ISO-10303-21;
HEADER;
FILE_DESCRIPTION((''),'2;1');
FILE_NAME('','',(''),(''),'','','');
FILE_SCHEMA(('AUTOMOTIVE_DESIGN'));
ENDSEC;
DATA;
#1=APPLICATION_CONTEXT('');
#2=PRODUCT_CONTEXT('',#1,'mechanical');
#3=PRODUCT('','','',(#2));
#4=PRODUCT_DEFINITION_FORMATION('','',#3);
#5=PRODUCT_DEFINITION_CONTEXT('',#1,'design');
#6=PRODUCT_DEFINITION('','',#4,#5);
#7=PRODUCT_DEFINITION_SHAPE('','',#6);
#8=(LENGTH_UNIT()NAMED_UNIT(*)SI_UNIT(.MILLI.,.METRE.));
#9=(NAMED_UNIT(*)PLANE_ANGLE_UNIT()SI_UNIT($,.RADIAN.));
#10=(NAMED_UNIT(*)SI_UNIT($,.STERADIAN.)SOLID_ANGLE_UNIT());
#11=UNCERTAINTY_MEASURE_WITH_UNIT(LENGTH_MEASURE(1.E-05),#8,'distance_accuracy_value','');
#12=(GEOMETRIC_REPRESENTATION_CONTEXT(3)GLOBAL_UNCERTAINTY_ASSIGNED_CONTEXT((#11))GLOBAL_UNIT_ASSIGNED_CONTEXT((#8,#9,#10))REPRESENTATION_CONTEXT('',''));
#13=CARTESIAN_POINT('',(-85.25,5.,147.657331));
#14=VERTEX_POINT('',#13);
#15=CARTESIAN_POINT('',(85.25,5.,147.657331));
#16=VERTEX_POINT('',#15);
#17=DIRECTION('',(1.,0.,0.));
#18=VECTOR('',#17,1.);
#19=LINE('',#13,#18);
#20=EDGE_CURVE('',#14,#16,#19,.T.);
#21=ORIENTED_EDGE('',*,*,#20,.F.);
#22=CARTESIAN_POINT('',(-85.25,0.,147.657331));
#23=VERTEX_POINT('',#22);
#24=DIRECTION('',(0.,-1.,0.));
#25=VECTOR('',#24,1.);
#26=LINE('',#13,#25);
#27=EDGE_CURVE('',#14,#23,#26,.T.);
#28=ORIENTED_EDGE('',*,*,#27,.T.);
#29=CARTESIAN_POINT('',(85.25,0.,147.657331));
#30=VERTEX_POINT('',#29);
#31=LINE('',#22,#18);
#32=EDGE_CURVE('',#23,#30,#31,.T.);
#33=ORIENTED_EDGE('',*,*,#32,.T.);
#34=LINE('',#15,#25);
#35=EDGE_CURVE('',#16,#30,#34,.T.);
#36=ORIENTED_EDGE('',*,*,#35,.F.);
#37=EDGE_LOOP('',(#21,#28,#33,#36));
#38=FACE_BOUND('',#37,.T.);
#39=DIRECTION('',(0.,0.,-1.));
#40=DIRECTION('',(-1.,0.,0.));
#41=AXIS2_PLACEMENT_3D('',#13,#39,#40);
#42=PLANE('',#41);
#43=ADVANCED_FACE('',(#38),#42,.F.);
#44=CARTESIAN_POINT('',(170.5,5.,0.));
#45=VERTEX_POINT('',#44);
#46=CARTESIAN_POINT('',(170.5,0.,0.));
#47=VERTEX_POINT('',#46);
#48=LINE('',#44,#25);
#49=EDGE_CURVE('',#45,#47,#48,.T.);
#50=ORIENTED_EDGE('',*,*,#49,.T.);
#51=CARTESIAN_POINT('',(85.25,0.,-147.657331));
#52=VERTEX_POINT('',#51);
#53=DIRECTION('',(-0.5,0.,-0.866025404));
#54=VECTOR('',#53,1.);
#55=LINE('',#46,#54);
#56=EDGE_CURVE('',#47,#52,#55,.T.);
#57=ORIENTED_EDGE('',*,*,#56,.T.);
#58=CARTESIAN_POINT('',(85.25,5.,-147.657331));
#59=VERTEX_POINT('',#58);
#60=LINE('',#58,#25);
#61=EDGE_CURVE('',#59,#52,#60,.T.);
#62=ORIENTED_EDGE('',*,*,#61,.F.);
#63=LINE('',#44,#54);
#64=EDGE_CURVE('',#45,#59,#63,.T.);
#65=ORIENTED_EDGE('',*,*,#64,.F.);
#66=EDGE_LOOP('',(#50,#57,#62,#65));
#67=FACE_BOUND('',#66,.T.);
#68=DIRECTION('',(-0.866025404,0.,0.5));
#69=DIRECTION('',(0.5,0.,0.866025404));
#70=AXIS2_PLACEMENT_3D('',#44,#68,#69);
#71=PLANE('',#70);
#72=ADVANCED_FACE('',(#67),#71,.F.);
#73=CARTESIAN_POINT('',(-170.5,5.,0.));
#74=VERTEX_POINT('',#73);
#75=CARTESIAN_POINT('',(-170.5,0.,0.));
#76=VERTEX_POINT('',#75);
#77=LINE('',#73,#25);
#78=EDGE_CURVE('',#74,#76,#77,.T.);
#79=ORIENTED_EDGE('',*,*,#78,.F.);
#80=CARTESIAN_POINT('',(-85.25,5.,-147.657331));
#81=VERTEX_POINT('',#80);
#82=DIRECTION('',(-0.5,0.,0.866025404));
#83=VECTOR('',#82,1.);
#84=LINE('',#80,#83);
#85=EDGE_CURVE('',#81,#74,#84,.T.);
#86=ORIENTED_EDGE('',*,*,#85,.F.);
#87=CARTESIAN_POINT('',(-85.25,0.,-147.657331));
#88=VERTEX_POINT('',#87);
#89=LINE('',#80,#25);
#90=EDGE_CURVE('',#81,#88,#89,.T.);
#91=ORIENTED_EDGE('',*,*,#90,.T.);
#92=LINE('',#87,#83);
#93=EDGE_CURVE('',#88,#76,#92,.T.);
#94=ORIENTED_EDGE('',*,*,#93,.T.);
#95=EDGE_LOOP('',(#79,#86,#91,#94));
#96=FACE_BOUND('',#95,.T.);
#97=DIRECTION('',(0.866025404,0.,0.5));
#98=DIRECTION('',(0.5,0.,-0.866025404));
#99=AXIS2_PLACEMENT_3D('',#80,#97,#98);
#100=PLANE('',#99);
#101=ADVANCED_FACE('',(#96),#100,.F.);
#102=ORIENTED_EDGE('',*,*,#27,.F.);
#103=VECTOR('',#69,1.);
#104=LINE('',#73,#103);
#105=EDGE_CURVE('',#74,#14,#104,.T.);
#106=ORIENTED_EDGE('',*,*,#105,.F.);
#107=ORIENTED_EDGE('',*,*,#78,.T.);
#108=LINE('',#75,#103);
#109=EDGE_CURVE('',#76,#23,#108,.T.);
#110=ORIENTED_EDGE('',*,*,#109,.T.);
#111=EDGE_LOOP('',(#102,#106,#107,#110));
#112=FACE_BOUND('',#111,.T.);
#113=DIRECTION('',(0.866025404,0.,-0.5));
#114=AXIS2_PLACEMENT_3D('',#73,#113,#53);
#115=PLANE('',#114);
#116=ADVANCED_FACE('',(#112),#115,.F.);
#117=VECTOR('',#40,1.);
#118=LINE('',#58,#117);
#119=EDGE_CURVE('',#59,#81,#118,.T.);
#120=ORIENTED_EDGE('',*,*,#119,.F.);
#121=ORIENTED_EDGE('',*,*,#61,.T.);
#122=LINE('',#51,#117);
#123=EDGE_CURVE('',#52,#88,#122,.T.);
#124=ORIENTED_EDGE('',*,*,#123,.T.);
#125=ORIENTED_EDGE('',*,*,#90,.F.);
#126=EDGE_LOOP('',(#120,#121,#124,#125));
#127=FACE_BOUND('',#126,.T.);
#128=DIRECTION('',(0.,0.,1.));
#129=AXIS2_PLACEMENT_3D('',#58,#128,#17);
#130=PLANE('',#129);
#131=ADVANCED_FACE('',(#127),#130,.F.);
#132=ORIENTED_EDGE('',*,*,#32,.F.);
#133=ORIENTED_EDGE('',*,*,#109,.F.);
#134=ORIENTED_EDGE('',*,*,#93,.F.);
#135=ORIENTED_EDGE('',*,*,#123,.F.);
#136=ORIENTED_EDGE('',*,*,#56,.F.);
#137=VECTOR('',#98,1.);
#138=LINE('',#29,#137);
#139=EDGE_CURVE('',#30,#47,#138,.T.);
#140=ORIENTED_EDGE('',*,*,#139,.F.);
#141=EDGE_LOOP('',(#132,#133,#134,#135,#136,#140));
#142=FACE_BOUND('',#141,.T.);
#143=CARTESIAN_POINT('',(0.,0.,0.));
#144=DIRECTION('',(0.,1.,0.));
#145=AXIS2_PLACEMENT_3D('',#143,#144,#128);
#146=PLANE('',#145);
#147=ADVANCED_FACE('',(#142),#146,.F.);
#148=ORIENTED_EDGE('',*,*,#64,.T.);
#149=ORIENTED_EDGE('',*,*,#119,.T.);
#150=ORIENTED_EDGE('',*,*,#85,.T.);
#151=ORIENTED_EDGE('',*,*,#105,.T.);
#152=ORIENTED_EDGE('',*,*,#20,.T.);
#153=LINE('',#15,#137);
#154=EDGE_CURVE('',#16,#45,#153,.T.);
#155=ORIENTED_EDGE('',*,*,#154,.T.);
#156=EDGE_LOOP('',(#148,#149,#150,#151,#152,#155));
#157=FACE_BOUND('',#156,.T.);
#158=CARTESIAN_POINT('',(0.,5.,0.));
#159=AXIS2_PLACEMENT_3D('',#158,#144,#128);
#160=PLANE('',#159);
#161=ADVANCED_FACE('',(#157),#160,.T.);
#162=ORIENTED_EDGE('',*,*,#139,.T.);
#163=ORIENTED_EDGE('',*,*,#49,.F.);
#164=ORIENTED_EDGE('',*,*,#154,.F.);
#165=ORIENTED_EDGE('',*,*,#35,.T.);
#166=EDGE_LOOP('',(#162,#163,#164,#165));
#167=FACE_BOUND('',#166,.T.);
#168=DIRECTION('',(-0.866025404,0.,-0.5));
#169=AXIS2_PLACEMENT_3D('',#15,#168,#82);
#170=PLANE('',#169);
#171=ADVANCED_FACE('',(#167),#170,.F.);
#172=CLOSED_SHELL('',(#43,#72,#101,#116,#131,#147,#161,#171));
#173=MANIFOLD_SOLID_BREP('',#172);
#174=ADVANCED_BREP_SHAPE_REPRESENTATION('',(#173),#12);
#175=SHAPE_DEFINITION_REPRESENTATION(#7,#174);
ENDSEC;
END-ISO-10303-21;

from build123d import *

# Parameters (mm, degrees)
BOSS_EXTRUDE1_DEPTH = 5


with BuildPart() as part:
    # Sketch1 → Boss-Extrude1 (new body)
    with BuildSketch(Plane(origin=(0, 0, 0), x_dir=(1, 0, 0), z_dir=(0, 1, 0))):
        Polygon((85.25, -147.657331345), (170.5, 0), (85.25, 147.657331345), (-85.25, 147.657331345), (-170.5, 0), (-85.25, -147.657331345), align=None)
    extrude(amount=BOSS_EXTRUDE1_DEPTH)


solid = part.part
